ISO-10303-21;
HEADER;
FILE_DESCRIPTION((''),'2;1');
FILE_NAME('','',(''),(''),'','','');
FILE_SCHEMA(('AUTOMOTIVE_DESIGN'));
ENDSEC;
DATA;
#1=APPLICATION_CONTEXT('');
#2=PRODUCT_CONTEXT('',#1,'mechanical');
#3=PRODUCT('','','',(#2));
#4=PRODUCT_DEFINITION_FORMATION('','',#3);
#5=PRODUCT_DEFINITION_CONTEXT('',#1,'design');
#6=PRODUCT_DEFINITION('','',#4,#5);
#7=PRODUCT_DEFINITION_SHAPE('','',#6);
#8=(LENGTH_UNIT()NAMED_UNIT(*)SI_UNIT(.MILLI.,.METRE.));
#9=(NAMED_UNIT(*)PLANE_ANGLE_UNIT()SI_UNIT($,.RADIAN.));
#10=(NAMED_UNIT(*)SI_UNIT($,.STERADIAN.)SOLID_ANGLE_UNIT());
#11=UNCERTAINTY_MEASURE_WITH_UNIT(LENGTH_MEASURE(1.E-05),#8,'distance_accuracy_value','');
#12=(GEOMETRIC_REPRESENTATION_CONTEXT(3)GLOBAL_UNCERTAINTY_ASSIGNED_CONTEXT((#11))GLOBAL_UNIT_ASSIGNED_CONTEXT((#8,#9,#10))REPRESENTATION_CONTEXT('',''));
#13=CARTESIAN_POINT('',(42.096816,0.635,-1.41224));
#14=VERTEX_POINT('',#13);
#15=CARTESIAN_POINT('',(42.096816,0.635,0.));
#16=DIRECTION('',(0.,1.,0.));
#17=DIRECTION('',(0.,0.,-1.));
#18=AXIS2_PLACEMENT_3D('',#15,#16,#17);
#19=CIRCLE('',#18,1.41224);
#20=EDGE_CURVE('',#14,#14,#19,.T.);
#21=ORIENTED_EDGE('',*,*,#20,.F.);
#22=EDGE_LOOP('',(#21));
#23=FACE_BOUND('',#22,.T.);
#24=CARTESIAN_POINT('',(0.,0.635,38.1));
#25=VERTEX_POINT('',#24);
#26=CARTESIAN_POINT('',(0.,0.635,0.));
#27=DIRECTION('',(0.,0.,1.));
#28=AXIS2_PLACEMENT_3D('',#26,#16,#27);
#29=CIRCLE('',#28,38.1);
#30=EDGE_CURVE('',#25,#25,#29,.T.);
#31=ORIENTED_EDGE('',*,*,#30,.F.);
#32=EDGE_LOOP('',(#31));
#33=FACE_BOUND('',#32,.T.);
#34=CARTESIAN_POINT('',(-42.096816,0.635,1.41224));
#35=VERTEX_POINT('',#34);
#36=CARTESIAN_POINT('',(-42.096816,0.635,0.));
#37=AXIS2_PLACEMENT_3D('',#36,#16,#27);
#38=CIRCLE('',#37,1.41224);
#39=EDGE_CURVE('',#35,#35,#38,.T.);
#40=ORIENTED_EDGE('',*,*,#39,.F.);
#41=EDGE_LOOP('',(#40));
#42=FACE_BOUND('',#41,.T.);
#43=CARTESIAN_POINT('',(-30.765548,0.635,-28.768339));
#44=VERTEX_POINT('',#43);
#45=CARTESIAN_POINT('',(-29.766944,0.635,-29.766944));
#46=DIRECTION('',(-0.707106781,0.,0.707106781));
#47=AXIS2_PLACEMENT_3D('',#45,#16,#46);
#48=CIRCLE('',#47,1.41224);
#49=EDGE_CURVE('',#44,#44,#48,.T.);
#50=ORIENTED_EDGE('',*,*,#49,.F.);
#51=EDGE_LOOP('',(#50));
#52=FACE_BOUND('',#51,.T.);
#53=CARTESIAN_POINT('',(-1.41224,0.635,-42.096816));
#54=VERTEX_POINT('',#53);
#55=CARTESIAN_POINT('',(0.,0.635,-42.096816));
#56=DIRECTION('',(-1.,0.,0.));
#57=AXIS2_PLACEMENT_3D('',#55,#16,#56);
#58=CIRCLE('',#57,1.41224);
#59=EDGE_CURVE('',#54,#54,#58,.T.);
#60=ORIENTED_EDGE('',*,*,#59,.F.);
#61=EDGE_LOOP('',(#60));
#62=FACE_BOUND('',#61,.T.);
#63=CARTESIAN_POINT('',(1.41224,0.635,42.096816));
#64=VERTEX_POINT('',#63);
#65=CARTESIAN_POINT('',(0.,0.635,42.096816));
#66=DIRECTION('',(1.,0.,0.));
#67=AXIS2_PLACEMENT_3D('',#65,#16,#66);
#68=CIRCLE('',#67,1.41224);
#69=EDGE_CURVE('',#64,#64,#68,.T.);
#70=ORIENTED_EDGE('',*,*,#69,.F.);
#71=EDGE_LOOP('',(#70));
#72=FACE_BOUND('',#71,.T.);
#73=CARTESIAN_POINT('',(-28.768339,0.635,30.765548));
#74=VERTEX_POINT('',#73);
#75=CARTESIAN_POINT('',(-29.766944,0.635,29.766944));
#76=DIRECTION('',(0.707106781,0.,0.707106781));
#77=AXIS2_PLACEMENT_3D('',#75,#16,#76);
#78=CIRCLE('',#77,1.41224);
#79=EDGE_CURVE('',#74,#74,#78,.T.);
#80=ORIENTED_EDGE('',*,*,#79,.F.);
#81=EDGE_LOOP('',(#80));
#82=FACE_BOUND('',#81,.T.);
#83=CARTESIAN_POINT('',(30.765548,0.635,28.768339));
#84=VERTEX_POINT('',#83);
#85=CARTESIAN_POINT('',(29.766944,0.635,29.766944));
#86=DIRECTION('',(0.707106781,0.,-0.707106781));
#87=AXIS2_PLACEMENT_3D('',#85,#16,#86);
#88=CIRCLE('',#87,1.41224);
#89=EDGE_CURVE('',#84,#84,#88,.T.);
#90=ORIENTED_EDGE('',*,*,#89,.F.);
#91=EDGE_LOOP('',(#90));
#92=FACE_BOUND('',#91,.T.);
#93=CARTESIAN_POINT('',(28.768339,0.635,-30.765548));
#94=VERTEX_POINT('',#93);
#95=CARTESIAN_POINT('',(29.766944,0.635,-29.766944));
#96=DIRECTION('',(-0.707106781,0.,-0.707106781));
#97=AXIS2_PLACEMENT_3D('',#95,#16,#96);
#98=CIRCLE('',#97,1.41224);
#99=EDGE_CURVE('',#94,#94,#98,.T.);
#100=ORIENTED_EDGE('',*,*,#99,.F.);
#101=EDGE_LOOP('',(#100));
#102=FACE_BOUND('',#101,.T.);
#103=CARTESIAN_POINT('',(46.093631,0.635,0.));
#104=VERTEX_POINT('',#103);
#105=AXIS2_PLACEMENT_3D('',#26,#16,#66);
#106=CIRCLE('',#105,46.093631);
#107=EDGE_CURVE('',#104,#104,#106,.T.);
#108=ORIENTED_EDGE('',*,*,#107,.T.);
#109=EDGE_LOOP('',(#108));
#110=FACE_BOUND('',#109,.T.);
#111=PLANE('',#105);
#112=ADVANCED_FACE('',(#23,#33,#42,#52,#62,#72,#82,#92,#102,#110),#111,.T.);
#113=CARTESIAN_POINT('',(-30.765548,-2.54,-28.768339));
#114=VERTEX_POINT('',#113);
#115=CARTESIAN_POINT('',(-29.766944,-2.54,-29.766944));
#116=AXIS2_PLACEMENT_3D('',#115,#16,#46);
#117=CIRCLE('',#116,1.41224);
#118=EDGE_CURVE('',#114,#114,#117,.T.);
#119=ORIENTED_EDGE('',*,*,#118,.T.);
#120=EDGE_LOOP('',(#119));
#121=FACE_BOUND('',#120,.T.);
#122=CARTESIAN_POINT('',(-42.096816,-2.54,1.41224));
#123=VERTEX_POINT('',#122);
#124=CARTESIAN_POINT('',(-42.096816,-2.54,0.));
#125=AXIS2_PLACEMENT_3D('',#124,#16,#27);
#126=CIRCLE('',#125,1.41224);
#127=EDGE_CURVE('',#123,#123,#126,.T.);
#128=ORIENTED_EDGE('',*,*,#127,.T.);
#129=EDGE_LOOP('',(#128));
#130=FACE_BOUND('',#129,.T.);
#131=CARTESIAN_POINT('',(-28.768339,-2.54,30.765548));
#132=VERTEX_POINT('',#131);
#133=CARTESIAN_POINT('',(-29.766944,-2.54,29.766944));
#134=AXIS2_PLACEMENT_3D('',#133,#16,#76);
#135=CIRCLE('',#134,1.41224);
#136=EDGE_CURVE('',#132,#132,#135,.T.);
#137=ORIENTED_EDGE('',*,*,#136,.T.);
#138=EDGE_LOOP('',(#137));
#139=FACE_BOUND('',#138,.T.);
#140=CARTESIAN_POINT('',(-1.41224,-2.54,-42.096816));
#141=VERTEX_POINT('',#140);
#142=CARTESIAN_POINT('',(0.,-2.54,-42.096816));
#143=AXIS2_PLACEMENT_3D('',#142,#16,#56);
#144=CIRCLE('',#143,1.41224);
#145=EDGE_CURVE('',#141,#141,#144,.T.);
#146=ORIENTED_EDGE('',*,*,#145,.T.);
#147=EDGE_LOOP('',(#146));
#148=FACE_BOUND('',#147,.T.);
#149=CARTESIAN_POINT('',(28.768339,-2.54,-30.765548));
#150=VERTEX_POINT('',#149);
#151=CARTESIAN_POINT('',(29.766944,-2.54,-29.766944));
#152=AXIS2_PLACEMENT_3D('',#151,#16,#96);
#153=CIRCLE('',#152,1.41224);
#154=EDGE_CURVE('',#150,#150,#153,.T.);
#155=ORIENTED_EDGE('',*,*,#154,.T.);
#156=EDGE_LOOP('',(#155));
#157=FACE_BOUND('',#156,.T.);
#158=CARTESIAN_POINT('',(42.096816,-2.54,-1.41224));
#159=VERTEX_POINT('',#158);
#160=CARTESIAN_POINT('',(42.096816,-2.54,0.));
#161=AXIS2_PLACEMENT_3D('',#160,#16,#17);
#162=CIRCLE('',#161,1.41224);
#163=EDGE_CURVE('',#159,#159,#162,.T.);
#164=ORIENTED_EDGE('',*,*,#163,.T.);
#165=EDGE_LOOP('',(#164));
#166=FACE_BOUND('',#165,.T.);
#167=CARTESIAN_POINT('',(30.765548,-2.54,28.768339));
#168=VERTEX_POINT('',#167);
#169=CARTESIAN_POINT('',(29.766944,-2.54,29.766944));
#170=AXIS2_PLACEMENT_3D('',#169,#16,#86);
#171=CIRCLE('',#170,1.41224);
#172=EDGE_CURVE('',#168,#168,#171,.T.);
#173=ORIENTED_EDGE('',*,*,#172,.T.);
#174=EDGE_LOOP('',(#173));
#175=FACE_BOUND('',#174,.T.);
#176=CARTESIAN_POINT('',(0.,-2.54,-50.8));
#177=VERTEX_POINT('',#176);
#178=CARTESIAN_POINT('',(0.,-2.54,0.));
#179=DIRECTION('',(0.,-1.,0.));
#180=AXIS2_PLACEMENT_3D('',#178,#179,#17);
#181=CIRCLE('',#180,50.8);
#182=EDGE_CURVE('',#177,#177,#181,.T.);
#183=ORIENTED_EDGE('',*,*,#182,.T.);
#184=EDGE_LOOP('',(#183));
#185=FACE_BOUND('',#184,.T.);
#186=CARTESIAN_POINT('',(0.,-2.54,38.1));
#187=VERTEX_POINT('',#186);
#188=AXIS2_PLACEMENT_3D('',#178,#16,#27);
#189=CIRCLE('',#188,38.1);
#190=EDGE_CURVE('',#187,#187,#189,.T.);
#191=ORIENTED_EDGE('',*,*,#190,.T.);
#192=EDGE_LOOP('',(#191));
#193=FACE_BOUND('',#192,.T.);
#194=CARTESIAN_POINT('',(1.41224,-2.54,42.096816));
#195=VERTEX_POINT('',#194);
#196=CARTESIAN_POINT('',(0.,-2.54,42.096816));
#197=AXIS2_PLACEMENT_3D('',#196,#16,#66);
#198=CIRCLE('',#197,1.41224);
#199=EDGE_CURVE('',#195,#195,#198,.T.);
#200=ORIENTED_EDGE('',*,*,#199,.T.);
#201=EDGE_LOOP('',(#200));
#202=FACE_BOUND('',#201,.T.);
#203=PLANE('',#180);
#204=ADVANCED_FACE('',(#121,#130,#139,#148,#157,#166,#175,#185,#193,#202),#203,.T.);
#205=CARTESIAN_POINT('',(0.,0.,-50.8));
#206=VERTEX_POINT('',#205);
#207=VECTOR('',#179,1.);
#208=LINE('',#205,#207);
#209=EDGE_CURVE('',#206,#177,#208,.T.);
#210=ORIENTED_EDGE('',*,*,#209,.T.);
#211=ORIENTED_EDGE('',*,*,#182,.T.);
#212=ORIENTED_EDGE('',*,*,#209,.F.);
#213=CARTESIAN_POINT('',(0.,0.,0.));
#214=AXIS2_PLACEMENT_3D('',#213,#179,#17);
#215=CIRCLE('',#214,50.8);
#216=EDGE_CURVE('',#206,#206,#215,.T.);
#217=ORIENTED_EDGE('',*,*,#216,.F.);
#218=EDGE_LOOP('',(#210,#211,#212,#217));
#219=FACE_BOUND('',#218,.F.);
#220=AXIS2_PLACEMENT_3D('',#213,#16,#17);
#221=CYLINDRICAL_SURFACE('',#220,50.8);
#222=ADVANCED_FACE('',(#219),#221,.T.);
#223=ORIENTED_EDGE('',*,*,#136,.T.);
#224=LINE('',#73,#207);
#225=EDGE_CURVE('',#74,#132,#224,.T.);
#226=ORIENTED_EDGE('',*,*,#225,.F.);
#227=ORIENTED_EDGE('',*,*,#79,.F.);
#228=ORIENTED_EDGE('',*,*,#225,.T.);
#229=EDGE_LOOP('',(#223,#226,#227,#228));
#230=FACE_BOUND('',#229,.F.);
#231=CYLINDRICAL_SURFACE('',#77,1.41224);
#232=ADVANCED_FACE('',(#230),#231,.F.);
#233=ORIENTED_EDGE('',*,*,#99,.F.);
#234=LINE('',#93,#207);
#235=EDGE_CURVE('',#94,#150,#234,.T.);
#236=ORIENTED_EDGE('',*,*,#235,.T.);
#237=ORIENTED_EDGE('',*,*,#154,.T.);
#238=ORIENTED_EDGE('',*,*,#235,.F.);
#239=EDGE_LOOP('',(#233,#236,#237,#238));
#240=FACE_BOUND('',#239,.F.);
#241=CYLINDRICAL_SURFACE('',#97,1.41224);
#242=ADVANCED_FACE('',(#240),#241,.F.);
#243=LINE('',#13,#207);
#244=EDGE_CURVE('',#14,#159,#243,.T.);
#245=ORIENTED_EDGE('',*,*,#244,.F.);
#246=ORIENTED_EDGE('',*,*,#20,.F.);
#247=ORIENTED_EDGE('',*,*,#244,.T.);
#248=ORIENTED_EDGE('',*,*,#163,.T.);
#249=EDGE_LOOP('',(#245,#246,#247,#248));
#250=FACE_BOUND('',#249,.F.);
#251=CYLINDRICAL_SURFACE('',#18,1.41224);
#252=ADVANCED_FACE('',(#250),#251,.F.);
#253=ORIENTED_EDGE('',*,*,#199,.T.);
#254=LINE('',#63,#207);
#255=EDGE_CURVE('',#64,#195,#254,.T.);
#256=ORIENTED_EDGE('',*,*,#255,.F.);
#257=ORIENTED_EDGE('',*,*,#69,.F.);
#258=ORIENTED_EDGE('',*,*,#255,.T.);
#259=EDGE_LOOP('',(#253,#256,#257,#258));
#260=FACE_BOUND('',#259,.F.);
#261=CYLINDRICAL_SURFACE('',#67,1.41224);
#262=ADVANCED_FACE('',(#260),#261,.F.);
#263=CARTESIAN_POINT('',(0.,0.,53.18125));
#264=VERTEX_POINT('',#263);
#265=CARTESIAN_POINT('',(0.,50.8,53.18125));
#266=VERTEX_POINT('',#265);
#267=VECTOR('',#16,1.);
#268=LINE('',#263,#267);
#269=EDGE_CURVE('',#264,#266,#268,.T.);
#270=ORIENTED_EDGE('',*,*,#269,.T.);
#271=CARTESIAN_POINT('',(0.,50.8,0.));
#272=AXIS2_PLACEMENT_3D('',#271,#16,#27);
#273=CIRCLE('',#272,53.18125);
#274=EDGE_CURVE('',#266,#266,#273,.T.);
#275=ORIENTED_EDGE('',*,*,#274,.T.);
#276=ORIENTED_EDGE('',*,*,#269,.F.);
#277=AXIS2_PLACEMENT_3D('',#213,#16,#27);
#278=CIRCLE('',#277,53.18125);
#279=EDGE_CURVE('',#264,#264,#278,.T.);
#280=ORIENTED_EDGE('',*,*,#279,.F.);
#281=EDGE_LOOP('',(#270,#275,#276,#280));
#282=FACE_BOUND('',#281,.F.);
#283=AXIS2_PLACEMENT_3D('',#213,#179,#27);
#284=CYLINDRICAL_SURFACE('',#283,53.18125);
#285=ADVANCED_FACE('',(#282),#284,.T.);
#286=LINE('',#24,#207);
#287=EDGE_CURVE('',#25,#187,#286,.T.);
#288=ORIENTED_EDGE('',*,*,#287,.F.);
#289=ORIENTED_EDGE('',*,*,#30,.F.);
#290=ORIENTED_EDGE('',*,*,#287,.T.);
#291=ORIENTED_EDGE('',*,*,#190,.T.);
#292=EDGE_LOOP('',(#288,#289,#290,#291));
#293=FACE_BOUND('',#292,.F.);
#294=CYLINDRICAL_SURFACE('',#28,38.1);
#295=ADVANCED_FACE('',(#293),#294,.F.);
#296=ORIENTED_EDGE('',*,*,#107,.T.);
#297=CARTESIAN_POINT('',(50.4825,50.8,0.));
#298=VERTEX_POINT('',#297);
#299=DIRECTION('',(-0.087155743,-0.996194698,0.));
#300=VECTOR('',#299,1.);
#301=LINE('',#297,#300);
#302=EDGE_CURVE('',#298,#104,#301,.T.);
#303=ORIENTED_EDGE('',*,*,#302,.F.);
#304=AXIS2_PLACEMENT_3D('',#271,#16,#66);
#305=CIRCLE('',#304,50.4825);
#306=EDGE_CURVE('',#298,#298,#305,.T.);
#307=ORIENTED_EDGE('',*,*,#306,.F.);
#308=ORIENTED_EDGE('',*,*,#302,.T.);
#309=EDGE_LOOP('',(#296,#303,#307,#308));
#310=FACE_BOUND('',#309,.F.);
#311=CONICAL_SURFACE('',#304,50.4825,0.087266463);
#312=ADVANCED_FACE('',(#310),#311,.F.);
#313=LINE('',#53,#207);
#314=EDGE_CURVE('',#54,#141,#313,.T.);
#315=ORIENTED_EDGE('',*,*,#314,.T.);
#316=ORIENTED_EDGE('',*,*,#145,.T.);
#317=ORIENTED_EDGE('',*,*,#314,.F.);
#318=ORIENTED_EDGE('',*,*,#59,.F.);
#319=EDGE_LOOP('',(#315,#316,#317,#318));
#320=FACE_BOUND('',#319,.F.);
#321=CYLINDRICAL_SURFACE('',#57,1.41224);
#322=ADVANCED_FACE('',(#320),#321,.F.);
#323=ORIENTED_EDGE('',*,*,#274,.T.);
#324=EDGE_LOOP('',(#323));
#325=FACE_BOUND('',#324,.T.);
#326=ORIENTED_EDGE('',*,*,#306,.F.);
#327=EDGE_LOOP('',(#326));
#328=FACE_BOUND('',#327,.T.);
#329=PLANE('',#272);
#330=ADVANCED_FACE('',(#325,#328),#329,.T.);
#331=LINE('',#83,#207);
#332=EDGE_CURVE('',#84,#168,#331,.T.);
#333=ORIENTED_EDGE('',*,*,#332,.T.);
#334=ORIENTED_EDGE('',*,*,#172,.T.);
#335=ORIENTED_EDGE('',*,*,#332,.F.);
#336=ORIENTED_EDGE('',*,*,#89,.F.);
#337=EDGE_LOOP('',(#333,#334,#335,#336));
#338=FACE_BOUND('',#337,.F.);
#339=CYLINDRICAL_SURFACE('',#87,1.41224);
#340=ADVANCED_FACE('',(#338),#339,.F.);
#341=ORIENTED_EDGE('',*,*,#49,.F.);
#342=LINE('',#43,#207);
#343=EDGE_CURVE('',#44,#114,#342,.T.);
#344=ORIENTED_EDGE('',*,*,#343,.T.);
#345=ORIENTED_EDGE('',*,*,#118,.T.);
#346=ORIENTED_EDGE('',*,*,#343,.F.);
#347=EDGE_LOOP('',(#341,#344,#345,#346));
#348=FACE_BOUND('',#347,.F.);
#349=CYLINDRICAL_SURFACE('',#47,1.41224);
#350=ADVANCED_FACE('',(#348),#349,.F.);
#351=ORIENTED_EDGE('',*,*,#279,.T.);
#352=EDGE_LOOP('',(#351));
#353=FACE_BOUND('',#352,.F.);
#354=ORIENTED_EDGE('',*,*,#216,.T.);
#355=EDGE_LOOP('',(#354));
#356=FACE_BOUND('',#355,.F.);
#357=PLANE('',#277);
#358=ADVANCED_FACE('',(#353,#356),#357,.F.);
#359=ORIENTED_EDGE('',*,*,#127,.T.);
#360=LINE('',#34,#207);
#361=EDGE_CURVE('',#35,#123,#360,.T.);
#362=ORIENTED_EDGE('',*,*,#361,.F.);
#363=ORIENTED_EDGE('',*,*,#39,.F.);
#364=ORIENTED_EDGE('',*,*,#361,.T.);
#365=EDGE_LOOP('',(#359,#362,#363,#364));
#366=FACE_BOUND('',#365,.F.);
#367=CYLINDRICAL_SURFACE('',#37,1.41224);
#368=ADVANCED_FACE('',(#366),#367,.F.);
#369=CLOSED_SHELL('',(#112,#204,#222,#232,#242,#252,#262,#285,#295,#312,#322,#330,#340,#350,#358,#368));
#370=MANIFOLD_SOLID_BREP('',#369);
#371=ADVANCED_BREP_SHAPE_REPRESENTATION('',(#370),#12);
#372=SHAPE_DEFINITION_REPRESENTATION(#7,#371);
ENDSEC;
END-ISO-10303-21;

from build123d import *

# Parameters (mm, degrees)
SKETCH1_R           = 53.18125
BOSS_EXTRUDE1_DEPTH = 50.8
SKETCH2_R           = 50.8
SKETCH2_R_2         = 50.4825
BOSS_EXTRUDE2_DEPTH = 2.54
SKETCH3_R           = 50.4825
CUT_EXTRUDE1_DEPTH  = 50.165
CUT_EXTRUDE1_DRAFT  = -5
SKETCH4_R           = 38.1
CUT_EXTRUDE3_DEPTH  = 3.175
SKETCH5_R           = 1.41224
CUT_EXTRUDE4_DEPTH  = 91.404745053
CIRPATTERN4_COUNT   = 8


with BuildPart() as part:
    # Sketch1 → Boss-Extrude1 (new body)
    with BuildSketch(Plane(origin=(0, 0, 0), x_dir=(1, 0, 0), z_dir=(0, 1, 0))):
        with Locations(Location((0, 0, 0), (0, 0, 270))):
            Circle(SKETCH1_R)
    extrude(amount=BOSS_EXTRUDE1_DEPTH)

    # Sketch2 → Boss-Extrude2 (add)
    with BuildSketch(Plane.XZ):
        with Locations(Location((0, 0, 0), (0, 0, 270))):
            Circle(SKETCH2_R)
        Circle(SKETCH2_R_2, mode=Mode.SUBTRACT)
        Circle(SKETCH2_R_2)
    extrude(amount=BOSS_EXTRUDE2_DEPTH)


with BuildPart() as cut_extrude1_tool:
    # Sketch3 → Cut-Extrude1 (with draft: the straight prism first)
    with BuildSketch(Plane(origin=(0, 50.8, 0), x_dir=(1, 0, 0), z_dir=(0, 1, 0))):
        Circle(SKETCH3_R)
    extrude(amount=-CUT_EXTRUDE1_DEPTH)
    # Cut-Extrude1: the draft: its side faces are tilted about the plane it starts from
    cut_extrude1_sides = [cut_extrude1_tool.faces().sort_by_distance(p)[0] for p in [
        (-50.4825, 25.7175, 0),
    ]]
    draft(cut_extrude1_sides, Plane(origin=(0, 50.8, 0), x_dir=(1, 0, 0), z_dir=(0, 1, 0)), CUT_EXTRUDE1_DRAFT)


with BuildPart() as part_1:
    add(part.part)

    # Cut-Extrude1: cut by cut_extrude1_tool
    add(cut_extrude1_tool.part, mode=Mode.SUBTRACT)

    # Sketch4 → Cut-Extrude3 (cut)
    with BuildSketch(Plane(origin=(0, 0.635, 0), x_dir=(1, 0, 0), z_dir=(0, 1, 0))):
        with Locations(Location((0, 0, 0), (0, 0, 270))):
            Circle(SKETCH4_R)
    extrude(amount=-CUT_EXTRUDE3_DEPTH, mode=Mode.SUBTRACT)

    # Sketch5 → Cut-Extrude4 (cut, through all)
    with BuildSketch(Plane(origin=(0, 0.635, 0), x_dir=(1, 0, 0), z_dir=(0, 1, 0))):
        with Locations(Location((-42.096815597, 0, 0), (0, 0, 270))):
            Circle(SKETCH5_R)
    cut_extrude4 = extrude(amount=-CUT_EXTRUDE4_DEPTH, mode=Mode.SUBTRACT)

    # CirPattern4: Cut-Extrude4 ×8 about axis
    cirpattern4_axis = Axis((0, 0, 0), (0, 1, 0))
    for i in range(1, CIRPATTERN4_COUNT):
        add(cut_extrude4.rotate(cirpattern4_axis, i * 360 / CIRPATTERN4_COUNT), mode=Mode.SUBTRACT)


solid = part_1.part
